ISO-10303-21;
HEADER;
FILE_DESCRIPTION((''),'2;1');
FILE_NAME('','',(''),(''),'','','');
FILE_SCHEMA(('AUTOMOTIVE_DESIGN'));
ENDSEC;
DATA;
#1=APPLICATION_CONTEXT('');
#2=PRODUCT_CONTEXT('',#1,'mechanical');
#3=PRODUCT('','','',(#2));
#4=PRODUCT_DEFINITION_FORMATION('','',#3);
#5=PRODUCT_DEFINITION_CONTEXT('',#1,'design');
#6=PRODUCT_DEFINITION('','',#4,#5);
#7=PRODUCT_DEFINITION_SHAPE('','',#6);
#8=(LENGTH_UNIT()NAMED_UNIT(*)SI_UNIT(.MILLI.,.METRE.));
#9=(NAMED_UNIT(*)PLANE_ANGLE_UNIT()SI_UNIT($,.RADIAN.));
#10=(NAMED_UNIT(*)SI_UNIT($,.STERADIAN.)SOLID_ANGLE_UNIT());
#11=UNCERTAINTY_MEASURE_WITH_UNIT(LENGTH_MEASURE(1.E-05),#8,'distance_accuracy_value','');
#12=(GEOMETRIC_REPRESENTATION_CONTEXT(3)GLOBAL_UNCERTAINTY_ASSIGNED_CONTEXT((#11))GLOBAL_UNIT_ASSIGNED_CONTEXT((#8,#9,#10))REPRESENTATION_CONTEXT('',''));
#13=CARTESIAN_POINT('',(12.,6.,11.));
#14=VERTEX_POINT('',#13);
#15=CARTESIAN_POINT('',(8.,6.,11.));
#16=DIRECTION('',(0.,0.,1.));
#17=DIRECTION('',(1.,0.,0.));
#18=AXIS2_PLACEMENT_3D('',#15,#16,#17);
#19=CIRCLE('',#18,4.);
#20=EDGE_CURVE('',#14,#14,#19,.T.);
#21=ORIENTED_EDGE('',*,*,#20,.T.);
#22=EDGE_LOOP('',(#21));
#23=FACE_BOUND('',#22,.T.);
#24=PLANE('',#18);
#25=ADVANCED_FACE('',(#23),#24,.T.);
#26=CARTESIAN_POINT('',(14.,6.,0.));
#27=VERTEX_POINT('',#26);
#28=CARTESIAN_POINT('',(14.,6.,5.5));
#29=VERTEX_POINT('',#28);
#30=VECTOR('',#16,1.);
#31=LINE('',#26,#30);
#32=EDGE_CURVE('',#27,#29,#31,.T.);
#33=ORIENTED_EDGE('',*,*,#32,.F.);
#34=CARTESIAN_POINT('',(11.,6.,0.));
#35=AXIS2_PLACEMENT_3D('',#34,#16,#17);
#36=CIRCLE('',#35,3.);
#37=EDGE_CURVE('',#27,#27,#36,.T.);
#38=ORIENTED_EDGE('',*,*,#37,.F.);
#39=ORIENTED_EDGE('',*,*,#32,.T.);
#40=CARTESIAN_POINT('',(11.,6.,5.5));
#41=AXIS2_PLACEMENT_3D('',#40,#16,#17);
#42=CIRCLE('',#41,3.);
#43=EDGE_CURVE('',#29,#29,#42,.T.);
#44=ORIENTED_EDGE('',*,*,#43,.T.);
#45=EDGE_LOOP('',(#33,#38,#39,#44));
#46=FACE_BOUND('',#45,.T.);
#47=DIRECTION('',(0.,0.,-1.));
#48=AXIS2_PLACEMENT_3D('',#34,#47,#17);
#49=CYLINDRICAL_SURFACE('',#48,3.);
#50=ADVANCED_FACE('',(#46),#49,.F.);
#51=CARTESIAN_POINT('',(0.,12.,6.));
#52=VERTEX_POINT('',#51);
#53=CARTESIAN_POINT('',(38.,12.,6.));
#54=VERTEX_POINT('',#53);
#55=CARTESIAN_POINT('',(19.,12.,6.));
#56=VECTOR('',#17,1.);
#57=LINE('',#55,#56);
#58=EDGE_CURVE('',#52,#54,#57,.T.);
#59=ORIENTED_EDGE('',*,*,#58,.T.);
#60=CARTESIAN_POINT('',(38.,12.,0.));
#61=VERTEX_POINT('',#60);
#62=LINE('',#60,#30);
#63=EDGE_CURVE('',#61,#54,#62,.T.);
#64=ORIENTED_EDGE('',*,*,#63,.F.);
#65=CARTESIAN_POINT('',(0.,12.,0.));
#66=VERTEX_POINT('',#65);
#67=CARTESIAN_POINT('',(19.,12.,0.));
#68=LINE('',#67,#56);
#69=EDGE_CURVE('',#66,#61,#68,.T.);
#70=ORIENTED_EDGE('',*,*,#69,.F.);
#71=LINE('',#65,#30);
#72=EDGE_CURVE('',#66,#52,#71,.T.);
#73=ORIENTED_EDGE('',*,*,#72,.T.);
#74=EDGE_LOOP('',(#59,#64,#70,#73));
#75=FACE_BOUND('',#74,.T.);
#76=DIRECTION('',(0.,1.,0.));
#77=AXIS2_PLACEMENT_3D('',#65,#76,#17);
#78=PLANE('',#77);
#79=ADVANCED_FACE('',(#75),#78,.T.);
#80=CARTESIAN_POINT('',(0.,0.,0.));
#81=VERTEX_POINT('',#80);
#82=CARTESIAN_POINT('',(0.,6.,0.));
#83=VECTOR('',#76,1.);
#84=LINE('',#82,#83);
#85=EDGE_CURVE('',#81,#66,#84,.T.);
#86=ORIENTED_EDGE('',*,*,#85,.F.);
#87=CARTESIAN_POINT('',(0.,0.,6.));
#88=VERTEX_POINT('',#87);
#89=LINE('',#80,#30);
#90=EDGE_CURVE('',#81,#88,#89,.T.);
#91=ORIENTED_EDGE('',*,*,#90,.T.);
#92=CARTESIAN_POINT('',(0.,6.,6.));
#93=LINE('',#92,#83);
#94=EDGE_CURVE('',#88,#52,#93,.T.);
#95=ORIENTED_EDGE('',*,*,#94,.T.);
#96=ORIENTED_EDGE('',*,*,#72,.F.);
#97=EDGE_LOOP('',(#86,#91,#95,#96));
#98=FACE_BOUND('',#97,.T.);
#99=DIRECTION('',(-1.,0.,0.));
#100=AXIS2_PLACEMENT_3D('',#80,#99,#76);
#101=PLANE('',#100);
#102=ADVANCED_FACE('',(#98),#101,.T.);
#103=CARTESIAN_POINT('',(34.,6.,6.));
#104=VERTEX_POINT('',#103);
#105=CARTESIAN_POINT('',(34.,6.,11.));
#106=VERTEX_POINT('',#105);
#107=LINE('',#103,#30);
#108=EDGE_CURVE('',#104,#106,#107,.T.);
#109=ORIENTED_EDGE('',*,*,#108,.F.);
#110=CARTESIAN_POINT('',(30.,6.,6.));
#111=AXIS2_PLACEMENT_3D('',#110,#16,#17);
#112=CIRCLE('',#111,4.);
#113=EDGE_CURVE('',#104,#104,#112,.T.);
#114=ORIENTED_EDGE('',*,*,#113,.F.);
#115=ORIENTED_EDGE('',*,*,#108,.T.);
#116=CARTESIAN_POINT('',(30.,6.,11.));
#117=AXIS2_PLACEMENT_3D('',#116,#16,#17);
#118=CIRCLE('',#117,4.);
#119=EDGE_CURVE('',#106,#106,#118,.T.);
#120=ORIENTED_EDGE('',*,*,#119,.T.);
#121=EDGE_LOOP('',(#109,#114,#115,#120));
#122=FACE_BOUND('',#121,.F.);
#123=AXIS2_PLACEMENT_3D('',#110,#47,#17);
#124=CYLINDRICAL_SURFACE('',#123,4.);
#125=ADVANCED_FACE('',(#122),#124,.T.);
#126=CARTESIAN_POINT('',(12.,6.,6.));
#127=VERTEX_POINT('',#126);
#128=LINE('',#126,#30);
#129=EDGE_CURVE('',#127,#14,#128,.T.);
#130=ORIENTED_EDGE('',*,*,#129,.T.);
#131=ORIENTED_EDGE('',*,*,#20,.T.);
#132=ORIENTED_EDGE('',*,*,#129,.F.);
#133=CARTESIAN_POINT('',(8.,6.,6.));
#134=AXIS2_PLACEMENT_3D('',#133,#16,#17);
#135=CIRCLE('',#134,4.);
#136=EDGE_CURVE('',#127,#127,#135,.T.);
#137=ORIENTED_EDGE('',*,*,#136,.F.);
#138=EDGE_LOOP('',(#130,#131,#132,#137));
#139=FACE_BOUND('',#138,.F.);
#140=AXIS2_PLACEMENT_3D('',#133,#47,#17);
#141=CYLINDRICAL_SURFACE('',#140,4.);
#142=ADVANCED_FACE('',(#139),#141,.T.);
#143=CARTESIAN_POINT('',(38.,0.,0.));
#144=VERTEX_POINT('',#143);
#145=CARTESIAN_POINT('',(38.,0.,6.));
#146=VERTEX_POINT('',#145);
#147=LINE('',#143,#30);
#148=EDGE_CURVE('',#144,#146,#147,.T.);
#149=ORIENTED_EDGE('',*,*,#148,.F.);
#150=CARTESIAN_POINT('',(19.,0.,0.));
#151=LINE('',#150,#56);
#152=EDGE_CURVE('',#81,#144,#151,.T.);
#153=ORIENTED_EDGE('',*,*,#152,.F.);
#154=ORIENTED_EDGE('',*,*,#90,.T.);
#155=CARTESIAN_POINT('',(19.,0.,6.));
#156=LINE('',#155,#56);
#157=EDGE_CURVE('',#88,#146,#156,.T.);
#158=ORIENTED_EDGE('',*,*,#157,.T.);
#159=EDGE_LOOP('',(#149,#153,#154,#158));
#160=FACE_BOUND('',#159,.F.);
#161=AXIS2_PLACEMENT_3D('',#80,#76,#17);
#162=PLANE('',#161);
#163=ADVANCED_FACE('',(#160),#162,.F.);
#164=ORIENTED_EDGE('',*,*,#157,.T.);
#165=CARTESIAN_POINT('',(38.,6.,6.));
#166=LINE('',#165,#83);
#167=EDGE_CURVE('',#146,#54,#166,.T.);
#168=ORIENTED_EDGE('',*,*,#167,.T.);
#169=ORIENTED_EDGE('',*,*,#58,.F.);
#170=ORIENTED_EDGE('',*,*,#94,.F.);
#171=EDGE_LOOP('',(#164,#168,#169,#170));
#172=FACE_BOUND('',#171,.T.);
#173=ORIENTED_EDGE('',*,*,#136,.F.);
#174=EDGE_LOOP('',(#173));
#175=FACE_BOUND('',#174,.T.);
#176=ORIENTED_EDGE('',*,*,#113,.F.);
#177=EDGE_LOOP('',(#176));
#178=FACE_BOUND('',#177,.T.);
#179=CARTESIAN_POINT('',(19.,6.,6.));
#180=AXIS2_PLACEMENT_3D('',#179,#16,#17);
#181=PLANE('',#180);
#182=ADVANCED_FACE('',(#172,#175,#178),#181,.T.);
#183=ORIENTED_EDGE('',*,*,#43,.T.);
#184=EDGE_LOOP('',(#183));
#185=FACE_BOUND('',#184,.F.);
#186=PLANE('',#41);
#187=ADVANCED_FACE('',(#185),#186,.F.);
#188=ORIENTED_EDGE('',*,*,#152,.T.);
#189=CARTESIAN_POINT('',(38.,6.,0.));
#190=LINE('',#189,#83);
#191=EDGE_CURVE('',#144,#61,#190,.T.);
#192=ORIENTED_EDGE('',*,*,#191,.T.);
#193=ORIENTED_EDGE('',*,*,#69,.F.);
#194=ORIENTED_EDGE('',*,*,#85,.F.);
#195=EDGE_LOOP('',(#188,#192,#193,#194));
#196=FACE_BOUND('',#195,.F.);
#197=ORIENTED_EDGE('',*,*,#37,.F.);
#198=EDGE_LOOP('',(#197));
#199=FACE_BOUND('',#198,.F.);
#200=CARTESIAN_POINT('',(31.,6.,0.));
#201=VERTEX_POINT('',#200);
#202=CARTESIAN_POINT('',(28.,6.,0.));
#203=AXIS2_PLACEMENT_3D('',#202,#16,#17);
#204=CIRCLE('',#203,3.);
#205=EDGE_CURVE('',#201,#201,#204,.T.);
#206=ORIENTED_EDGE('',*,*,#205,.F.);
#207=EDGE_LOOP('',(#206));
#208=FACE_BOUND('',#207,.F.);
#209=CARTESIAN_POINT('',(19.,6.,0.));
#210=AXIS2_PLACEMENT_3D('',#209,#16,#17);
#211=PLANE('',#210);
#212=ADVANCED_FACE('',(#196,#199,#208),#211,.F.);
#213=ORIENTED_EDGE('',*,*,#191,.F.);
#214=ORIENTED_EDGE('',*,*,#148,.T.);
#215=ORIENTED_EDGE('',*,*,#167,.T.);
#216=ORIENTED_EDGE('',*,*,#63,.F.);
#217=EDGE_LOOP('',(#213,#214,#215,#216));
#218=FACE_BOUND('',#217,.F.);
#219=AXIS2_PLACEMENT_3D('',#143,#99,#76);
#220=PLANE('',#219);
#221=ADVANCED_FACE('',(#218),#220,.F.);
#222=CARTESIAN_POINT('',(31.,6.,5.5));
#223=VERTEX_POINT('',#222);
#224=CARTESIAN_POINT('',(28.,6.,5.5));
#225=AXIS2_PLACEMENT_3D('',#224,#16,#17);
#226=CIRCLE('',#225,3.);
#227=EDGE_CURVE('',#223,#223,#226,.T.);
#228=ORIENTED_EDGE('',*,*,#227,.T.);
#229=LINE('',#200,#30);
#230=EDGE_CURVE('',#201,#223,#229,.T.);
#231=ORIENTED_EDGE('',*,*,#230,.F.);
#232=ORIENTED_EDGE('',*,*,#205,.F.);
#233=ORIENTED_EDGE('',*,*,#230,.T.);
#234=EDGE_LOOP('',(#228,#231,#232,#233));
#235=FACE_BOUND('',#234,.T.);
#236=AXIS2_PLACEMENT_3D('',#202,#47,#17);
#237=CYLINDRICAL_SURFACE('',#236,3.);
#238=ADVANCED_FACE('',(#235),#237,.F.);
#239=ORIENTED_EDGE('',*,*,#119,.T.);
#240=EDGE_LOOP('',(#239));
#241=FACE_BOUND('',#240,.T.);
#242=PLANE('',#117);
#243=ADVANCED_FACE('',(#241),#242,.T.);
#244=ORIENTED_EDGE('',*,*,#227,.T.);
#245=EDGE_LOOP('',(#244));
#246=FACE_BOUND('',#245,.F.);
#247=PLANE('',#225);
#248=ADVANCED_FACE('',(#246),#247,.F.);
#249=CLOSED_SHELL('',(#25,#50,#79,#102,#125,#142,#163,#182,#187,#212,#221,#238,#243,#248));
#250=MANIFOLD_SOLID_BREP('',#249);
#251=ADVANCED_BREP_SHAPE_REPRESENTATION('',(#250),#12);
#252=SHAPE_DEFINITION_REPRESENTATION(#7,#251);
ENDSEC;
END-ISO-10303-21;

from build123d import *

# Parameters (mm, degrees)
F0_W     = 38
F0_H     = 12
F1_DEPTH = 6
F2_R     = 4
F3_DEPTH = 5
F4_R     = 4
F5_DEPTH = 5
F6_R     = 3
F7_DEPTH = 5
F8_DEPTH = 5.5


with BuildPart() as f1:
    # F0 (on Top) → F1 (new body)
    with BuildSketch(Plane.XY):
        with Locations((19, 6)):
            Rectangle(F0_W, F0_H)
    extrude(amount=F1_DEPTH)

    # F2 (on face) → F3 (join)
    with BuildSketch(Plane.XY.offset(6)):
        with Locations((8, 6)):
            Circle(F2_R)
    extrude(amount=F3_DEPTH)

    # F4 (on face) → F5 (join)
    with BuildSketch(Plane.XY.offset(6)):
        with Locations((30, 6)):
            Circle(F4_R)
    extrude(amount=F5_DEPTH)

    # F6 (on face) → F7 (cut)
    with BuildSketch(Plane.XY):
        with Locations((28, 6)):
            Circle(F6_R)
    extrude(amount=F7_DEPTH, mode=Mode.SUBTRACT)

    # F6 (on face) → F8 (cut)
    with BuildSketch(Plane.XY):
        with Locations((28, 6)):
            Circle(F6_R)
        with Locations((11, 6)):
            Circle(F6_R)
    extrude(amount=F8_DEPTH, mode=Mode.SUBTRACT)


solid = f1.part
